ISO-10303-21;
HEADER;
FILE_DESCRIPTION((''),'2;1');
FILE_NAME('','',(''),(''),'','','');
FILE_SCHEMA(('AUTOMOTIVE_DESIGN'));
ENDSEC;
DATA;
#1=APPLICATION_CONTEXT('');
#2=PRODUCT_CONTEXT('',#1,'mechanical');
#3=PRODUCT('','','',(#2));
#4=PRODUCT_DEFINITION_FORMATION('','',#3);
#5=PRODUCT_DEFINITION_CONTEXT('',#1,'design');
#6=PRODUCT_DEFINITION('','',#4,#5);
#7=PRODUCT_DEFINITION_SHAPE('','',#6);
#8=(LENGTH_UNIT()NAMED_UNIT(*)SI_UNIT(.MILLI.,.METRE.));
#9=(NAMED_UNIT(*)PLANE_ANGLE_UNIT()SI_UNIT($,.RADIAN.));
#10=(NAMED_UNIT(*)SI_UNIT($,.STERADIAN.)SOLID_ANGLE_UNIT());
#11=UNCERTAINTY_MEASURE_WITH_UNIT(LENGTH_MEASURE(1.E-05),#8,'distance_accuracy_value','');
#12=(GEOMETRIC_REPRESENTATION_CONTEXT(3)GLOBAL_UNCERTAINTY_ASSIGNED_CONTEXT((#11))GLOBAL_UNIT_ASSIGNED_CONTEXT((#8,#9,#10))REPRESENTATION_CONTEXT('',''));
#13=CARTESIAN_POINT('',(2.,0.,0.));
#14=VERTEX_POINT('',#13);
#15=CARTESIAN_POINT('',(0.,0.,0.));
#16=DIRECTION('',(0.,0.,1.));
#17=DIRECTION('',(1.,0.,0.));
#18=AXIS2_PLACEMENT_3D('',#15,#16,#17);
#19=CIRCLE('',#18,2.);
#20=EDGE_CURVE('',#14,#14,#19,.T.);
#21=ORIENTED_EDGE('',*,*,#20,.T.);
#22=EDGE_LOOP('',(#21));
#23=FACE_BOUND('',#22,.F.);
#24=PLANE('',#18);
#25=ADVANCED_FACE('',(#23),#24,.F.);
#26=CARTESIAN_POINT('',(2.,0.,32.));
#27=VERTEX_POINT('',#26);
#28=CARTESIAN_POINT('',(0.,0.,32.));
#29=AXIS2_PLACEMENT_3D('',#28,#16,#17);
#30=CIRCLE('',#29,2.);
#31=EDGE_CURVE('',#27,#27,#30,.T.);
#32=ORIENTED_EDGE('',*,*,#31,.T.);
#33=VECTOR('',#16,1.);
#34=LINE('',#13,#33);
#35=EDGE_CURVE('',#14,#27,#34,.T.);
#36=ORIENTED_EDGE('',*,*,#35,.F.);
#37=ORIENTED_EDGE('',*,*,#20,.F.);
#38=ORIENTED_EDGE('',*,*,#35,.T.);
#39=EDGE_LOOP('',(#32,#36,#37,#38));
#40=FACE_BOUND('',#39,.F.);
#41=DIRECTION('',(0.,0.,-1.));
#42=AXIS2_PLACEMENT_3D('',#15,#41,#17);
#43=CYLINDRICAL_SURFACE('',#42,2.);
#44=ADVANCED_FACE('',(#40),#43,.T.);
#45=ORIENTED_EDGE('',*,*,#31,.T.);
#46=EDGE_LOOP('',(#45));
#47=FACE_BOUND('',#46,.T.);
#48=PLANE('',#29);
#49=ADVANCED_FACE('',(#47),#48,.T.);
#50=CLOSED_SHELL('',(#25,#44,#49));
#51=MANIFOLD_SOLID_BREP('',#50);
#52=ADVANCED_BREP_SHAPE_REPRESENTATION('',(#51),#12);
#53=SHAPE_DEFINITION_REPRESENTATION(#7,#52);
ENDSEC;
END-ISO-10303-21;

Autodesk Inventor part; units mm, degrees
ref_plane "YZ Plane" through (0, 0, 0) normal (1, 0, 0) x (0, 1, 0)
ref_plane "XZ Plane" through (0, 0, 0) normal (0, 1, 0) x (-1, 0, 0)
ref_plane "XY Plane" through (0, 0, 0) normal (0, 0, 1) x (1, 0, 0)
sketch "Sketch1" plane through (0, 0, 0) normal (0, 0, 1) x (1, 0, 0)
  circle A0 centre (0, 0) radius 2
  dimension "d0" = 4
extrude "Extrusion1" add sketch "Sketch1" along normal blind 32
properties part number "Joint Pin Spider Crab" material "Steel, Galvanized"
